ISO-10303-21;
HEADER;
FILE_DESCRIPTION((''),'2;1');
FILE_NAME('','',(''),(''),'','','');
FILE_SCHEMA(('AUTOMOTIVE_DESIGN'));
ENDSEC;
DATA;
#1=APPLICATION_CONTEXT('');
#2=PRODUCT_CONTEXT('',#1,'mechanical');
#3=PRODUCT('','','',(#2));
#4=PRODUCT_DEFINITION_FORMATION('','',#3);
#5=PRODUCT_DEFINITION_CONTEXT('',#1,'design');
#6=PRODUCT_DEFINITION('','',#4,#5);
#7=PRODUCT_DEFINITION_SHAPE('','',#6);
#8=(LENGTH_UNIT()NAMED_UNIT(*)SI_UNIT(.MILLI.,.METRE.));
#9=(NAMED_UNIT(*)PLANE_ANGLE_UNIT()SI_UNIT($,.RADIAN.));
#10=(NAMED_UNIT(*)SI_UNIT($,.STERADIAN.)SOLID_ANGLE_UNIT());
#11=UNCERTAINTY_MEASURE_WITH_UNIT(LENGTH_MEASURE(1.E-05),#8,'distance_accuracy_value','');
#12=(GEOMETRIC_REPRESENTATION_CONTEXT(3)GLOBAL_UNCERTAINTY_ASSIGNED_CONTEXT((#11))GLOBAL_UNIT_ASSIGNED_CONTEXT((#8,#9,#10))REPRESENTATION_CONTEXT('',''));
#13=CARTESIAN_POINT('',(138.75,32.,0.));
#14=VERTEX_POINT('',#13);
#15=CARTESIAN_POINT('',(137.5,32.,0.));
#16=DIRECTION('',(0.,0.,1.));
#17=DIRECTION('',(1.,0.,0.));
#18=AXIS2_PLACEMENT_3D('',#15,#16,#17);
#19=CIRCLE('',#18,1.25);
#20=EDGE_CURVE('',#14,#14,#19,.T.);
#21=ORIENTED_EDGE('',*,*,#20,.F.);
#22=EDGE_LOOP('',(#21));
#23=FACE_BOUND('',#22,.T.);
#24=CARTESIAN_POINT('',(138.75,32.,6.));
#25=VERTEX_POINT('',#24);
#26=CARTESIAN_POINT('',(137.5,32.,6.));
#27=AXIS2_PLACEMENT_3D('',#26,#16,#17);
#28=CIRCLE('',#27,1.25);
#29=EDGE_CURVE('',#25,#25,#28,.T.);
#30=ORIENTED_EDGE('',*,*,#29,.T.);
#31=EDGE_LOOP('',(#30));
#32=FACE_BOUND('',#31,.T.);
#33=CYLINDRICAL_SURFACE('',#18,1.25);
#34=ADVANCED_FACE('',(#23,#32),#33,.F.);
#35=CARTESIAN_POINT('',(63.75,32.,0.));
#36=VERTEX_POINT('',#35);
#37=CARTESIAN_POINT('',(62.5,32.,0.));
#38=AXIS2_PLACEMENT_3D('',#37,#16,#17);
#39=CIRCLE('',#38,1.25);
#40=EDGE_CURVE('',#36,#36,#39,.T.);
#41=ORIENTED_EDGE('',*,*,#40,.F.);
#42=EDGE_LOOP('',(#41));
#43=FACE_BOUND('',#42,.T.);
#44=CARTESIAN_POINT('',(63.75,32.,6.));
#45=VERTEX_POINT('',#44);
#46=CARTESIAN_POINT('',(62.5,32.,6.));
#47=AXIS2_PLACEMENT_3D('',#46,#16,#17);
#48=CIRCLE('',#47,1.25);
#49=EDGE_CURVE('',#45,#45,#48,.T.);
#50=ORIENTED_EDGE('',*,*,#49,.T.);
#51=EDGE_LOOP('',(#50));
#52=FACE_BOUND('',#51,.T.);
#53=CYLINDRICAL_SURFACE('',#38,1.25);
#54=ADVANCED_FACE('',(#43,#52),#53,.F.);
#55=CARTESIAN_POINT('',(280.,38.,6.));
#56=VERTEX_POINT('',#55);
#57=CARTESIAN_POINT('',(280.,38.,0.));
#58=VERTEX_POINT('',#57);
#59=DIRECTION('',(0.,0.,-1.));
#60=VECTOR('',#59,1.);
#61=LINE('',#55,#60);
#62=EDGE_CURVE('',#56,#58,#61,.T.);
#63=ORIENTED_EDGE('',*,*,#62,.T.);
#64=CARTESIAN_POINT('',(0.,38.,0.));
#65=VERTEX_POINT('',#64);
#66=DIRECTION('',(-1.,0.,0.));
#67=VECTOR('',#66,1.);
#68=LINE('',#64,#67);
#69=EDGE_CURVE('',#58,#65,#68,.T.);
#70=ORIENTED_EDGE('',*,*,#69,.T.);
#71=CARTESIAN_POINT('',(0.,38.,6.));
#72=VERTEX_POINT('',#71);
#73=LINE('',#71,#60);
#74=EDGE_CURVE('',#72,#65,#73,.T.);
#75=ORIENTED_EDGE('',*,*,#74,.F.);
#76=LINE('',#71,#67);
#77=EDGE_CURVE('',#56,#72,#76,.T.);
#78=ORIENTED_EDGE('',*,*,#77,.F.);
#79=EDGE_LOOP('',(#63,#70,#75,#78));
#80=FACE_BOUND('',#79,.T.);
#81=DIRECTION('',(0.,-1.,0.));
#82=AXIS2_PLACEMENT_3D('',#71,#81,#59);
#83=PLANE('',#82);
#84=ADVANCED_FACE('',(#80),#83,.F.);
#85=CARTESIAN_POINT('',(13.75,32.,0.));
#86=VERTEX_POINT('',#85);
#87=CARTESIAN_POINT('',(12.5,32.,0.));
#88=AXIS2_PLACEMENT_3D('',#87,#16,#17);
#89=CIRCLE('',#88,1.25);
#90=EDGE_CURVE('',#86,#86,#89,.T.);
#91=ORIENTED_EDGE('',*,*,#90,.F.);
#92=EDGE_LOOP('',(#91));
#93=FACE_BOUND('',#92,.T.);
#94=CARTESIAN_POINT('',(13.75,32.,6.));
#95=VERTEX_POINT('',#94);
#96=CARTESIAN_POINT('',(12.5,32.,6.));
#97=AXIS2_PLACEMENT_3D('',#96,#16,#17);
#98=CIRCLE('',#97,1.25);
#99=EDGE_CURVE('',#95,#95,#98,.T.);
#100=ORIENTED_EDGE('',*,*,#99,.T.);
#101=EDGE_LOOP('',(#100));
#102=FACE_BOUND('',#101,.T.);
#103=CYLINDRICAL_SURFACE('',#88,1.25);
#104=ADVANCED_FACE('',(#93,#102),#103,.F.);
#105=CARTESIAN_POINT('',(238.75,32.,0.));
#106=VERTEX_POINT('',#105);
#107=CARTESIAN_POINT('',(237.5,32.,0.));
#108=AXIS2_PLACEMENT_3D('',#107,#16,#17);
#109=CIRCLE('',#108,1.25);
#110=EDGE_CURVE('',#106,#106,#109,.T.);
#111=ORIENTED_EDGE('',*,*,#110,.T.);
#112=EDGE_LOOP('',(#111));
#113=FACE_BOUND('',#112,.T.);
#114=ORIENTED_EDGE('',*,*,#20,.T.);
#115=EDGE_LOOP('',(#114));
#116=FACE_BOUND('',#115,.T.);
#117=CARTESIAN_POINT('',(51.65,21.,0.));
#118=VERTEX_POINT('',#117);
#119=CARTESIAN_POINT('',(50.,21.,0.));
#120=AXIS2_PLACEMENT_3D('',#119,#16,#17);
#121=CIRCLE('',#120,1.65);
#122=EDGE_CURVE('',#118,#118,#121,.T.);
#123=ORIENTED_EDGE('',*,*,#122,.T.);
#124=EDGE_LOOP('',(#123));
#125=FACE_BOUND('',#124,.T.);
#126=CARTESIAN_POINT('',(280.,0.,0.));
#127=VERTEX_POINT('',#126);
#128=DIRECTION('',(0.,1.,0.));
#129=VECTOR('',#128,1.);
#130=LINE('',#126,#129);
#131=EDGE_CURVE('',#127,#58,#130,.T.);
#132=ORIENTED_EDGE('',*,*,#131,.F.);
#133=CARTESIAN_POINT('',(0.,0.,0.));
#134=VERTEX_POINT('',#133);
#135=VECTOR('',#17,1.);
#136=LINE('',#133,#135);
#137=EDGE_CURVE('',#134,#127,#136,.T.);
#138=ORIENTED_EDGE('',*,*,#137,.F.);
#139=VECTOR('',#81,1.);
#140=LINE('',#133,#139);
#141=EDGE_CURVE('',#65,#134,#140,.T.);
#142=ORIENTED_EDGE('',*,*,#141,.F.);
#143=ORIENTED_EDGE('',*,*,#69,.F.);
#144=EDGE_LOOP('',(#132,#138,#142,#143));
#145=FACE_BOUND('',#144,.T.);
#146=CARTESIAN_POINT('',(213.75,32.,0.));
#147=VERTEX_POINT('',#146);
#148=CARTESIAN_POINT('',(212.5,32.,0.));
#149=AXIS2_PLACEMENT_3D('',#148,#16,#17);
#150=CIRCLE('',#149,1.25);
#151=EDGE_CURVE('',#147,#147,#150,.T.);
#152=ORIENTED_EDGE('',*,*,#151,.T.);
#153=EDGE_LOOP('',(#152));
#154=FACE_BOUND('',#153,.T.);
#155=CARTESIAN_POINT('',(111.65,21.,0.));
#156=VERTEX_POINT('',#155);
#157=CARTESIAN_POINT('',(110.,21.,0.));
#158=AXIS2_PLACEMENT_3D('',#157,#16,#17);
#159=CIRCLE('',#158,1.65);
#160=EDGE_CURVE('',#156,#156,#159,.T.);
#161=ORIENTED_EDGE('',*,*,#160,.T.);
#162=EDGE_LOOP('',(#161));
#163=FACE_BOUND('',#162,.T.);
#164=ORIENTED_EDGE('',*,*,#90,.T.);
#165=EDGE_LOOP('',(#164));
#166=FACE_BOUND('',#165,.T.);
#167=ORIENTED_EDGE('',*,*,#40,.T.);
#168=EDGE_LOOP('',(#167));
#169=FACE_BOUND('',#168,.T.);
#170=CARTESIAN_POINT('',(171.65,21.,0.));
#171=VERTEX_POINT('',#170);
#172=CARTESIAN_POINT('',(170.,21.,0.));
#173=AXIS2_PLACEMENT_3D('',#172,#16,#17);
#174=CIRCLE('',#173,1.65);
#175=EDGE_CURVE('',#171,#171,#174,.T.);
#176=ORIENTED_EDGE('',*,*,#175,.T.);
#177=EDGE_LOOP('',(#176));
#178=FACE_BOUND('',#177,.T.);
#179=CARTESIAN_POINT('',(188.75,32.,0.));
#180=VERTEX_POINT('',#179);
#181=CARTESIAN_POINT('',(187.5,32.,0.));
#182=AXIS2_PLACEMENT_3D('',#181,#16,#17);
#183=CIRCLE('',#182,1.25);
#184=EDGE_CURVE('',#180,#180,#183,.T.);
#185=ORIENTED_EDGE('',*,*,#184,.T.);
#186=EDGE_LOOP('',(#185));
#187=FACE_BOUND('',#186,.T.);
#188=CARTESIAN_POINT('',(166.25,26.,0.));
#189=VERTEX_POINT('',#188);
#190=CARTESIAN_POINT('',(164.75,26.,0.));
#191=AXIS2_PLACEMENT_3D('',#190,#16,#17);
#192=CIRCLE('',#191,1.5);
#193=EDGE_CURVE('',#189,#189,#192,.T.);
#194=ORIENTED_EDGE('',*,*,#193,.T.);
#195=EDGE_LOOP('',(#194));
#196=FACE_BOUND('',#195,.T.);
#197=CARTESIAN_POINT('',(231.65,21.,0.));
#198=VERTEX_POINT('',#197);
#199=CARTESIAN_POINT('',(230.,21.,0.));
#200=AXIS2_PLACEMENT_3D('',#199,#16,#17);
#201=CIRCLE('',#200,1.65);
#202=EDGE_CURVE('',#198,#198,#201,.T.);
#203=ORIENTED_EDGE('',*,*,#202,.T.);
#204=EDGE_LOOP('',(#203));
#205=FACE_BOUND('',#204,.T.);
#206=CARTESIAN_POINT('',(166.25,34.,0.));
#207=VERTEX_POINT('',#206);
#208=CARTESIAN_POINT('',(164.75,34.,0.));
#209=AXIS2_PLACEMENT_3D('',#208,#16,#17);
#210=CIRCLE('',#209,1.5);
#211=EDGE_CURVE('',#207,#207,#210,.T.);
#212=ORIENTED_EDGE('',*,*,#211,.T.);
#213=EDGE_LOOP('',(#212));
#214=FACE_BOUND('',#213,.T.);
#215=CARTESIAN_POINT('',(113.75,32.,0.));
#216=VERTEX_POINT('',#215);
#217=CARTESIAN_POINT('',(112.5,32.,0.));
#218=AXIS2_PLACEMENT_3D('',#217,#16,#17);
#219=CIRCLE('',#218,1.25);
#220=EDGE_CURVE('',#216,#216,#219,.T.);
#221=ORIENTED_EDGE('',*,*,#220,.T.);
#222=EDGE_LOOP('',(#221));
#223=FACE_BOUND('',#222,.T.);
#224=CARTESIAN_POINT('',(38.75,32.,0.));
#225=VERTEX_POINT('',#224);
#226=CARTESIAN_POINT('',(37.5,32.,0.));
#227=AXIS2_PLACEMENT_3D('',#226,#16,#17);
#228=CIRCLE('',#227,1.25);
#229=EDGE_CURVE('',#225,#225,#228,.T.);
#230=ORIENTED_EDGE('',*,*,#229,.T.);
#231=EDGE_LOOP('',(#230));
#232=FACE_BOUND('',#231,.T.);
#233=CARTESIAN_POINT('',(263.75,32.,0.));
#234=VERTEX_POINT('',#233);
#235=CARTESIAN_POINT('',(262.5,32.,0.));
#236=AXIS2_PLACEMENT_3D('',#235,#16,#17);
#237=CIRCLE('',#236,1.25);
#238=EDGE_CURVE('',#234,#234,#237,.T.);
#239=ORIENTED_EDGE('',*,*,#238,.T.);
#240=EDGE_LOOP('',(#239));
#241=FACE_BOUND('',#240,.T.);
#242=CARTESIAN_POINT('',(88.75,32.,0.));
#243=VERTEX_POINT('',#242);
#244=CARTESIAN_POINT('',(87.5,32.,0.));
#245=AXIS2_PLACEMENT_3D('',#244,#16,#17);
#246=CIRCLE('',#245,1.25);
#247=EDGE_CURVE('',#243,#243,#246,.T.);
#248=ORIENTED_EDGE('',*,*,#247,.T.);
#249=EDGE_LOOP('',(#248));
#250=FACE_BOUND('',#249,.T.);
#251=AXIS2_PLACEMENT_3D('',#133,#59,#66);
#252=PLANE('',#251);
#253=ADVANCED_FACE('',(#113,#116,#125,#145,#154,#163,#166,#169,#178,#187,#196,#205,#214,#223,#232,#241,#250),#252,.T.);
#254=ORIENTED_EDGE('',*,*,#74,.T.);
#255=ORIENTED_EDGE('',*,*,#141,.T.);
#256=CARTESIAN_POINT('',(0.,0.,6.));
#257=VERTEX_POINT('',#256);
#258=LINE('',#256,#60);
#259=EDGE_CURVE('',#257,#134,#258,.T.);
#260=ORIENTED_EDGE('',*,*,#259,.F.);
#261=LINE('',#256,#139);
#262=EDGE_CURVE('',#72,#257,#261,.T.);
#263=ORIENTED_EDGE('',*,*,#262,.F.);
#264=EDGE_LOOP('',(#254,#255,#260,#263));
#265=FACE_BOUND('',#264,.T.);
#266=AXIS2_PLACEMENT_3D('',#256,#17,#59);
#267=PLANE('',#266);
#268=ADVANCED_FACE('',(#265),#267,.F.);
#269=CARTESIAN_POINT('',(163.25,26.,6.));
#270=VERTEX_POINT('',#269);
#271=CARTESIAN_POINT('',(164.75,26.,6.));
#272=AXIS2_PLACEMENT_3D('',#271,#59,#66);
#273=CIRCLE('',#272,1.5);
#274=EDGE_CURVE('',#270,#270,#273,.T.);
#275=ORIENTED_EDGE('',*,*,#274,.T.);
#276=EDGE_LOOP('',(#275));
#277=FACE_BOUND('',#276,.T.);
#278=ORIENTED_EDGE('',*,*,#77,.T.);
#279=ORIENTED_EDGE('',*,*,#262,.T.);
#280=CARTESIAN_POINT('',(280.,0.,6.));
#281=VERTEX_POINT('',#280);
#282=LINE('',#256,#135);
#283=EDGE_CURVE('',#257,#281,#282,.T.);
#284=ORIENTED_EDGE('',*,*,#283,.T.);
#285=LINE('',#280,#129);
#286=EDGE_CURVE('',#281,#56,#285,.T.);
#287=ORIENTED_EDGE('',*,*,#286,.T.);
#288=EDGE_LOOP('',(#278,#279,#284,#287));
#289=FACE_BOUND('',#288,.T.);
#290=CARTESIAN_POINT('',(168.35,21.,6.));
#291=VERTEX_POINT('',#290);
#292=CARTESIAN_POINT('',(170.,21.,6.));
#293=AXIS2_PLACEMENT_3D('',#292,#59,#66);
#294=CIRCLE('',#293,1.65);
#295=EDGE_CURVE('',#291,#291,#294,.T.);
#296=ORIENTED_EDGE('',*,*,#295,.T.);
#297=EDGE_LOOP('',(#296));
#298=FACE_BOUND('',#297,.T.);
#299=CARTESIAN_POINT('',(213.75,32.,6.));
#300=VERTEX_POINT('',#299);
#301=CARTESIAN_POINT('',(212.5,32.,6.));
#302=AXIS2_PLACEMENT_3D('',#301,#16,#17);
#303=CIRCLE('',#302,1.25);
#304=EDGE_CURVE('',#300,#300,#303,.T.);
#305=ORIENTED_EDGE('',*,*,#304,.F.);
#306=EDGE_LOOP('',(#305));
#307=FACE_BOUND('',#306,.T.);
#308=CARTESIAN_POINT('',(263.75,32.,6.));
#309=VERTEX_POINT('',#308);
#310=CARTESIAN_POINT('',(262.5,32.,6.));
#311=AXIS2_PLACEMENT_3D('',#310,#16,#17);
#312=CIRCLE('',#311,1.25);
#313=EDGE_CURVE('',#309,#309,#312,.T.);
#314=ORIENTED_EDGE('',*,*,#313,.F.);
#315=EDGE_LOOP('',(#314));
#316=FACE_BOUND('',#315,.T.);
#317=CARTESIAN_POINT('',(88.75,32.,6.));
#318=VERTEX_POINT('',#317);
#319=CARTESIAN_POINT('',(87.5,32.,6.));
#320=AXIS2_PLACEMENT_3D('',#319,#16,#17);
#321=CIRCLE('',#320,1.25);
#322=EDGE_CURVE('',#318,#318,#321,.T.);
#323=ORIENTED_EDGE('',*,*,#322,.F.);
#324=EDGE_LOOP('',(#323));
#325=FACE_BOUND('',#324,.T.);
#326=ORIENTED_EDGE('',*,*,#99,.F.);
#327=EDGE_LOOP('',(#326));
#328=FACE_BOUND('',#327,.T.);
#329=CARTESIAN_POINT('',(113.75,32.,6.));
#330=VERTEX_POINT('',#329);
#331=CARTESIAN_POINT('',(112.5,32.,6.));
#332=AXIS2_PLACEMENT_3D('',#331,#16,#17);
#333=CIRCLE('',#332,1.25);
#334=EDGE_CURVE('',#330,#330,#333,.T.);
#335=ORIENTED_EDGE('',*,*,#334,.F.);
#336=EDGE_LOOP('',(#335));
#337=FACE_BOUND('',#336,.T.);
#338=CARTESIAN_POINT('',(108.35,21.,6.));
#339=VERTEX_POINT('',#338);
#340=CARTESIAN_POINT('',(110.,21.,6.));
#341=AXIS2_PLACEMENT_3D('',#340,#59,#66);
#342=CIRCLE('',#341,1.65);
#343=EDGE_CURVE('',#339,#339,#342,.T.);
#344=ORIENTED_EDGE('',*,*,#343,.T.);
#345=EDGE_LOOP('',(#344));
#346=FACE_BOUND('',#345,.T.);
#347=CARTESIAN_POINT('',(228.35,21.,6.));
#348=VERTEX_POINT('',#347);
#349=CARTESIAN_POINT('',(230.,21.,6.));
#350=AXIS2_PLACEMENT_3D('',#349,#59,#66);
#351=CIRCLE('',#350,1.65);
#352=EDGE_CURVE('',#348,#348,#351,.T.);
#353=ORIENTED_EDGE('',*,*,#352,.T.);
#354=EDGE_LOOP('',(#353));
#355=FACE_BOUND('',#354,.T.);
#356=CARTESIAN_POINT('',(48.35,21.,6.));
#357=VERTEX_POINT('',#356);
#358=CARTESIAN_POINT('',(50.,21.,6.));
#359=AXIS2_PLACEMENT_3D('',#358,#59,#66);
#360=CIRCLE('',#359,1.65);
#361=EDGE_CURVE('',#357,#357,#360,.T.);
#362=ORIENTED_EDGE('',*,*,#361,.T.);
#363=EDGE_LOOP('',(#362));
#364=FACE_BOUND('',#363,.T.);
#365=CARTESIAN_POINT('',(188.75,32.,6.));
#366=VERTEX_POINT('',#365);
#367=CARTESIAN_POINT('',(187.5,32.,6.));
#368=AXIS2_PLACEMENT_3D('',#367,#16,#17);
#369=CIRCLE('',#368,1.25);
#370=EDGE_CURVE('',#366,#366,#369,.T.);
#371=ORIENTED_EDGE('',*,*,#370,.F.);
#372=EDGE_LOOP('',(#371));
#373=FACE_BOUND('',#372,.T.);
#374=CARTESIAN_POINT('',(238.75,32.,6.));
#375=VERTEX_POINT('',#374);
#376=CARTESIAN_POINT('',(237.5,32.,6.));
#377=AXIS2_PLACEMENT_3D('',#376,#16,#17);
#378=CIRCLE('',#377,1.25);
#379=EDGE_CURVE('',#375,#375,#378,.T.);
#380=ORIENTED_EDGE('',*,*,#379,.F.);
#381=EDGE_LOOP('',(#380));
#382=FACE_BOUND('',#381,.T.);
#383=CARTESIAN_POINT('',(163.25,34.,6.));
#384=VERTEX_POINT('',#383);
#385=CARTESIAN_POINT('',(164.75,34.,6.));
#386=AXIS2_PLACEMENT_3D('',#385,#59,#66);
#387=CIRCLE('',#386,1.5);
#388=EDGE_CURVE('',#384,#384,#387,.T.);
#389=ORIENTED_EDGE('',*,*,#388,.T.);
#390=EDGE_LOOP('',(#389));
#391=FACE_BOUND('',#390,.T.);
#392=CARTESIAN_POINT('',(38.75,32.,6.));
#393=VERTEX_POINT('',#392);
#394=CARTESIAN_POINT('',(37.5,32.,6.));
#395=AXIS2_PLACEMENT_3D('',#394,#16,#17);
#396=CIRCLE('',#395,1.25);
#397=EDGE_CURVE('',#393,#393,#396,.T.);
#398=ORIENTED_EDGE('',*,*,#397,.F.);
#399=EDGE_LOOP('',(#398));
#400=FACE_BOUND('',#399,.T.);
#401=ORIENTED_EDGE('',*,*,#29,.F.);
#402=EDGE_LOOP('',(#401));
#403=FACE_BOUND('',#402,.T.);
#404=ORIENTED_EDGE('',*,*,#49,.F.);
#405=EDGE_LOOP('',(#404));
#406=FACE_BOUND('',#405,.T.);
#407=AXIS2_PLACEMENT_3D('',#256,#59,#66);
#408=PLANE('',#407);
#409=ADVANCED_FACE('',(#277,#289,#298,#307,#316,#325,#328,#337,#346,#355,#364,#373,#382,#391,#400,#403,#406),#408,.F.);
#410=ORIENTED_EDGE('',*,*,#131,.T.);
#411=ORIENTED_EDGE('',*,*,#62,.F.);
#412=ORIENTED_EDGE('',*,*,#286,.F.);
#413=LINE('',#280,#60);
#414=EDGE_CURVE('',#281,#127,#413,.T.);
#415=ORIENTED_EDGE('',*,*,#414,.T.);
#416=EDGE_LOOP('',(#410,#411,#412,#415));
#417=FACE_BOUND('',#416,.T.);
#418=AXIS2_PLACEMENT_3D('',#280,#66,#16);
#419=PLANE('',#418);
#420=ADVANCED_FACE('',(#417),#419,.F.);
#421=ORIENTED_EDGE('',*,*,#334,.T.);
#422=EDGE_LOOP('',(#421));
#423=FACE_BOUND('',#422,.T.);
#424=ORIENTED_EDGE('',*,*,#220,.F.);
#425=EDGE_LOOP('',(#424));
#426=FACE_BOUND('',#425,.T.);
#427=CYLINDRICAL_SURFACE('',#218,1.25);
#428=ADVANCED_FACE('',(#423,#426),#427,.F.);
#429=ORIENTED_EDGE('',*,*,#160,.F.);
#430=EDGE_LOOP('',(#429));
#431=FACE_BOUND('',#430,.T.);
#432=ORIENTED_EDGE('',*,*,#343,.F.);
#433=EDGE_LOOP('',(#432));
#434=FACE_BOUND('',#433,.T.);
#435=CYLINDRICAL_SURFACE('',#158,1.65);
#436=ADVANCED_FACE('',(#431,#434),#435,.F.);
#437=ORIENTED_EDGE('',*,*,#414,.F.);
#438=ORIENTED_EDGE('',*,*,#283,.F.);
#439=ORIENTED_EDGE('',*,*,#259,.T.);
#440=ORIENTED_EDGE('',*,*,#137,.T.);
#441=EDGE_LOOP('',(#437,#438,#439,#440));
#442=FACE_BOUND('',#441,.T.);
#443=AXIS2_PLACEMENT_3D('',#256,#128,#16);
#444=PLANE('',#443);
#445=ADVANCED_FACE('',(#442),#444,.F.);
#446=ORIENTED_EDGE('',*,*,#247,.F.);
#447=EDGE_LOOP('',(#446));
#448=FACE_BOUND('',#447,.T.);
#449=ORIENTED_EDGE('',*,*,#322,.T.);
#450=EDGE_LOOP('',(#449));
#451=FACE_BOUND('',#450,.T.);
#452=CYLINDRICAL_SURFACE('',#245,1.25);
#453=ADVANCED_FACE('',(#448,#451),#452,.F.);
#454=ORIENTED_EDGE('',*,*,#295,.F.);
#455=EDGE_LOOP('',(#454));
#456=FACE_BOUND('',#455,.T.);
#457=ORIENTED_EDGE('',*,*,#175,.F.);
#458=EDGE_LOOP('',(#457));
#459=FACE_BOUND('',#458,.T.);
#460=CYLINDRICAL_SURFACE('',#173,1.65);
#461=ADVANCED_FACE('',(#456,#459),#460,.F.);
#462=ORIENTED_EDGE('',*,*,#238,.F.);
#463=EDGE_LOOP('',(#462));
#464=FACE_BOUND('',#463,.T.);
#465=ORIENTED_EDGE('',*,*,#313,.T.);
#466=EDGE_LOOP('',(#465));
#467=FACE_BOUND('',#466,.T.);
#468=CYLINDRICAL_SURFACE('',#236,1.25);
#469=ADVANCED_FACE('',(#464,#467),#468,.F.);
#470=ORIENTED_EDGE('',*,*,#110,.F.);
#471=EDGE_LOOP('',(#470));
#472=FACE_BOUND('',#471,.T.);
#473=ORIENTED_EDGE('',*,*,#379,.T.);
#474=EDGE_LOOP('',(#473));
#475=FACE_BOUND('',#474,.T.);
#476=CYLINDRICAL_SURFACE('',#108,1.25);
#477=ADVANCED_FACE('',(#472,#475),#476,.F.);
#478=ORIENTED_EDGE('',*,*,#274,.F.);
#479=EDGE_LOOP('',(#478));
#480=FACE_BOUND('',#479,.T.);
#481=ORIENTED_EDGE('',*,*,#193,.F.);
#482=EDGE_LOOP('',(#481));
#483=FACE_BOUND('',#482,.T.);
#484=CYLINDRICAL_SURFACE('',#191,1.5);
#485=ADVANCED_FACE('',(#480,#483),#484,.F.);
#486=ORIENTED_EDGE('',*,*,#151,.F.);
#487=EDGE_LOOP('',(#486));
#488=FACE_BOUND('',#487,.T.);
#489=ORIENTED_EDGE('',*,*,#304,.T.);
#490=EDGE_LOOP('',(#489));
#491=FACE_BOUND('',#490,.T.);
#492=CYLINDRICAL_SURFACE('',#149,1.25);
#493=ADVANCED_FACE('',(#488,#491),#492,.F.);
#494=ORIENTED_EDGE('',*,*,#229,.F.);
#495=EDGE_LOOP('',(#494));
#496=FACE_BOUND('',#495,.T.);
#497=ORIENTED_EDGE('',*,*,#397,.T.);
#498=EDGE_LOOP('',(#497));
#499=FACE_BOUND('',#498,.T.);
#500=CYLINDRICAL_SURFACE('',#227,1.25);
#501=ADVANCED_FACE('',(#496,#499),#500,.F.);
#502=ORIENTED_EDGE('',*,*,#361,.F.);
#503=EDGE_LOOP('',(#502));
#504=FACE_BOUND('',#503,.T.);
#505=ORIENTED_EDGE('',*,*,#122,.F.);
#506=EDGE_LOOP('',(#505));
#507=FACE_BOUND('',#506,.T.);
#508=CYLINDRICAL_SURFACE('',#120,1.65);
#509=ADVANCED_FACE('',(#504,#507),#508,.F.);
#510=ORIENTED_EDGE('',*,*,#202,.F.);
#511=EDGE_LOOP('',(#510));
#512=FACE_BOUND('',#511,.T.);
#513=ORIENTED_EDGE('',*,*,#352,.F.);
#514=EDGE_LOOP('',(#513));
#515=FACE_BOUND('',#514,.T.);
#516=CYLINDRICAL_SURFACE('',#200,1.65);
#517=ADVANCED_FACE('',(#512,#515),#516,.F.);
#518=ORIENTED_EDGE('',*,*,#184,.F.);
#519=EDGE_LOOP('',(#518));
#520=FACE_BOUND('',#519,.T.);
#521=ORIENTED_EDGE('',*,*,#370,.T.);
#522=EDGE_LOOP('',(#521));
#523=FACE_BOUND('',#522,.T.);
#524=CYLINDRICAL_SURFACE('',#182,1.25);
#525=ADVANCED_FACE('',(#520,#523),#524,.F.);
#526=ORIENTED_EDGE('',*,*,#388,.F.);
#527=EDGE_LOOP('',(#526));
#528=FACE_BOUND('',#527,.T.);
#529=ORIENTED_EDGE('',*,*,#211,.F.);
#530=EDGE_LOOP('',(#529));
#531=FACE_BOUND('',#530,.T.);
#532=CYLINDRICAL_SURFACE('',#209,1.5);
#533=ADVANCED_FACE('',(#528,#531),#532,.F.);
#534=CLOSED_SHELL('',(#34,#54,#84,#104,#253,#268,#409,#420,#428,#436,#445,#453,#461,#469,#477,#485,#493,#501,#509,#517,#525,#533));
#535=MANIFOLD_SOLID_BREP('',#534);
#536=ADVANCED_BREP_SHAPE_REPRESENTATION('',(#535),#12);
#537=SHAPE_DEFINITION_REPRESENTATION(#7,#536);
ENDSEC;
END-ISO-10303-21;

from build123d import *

# Parameters (mm, degrees)
ESQUISSE1_W                  = 280
ESQUISSE1_H                  = 38
BOSS_EXTRU_1_DEPTH           = 6
ESQUISSE2_R                  = 1.25
ENL_V_MAT_EXTRU_1_DEPTH      = 6
ESQUISSE5_R                  = 1.25
BOSS_EXTRU_2_DEPTH           = 6
ENL_V_MAT_EXTRU_2_DEPTH      = 283.630500831
ENL_V_MAT_EXTRU_2_DEPTH_BACK = 283.630500831
ESQUISSE3_R                  = 1.65
ENL_V_MAT_EXTRU_3_DEPTH      = 283.630500831
ENL_V_MAT_EXTRU_3_DEPTH_BACK = 283.630500831
ESQUISSE4_R                  = 1.5


with BuildPart() as part:
    # Esquisse1 → Boss.-Extru.1 (new body)
    with BuildSketch(Plane.XY):
        with Locations((140, 19)):
            Rectangle(ESQUISSE1_W, ESQUISSE1_H)
    extrude(amount=BOSS_EXTRU_1_DEPTH)

    # Esquisse2 → Enlèv. mat.-Extru.1 (cut)
    with BuildSketch(Plane.XY.offset(6)):
        with Locations((12.5, 32)):
            Circle(ESQUISSE2_R)
        with Locations((37.5, 32)):
            Circle(ESQUISSE2_R)
        with Locations((62.5, 32)):
            Circle(ESQUISSE2_R)
        with Locations((87.5, 32)):
            Circle(ESQUISSE2_R)
        with Locations((112.5, 32)):
            Circle(ESQUISSE2_R)
        with Locations((137.5, 32)):
            Circle(ESQUISSE2_R)
        with Locations((162.5, 32)):
            Circle(ESQUISSE2_R)
        with Locations((187.5, 32)):
            Circle(ESQUISSE2_R)
        with Locations((212.5, 32)):
            Circle(ESQUISSE2_R)
        with Locations((237.5, 32)):
            Circle(ESQUISSE2_R)
        with Locations((262.5, 32)):
            Circle(ESQUISSE2_R)
    extrude(amount=-ENL_V_MAT_EXTRU_1_DEPTH, mode=Mode.SUBTRACT)

    # Esquisse5 → Boss.-Extru.2 (add)
    with BuildSketch(Plane.XY.offset(6)):
        with Locations((162.5, 32)):
            Circle(ESQUISSE5_R)
    extrude(amount=-BOSS_EXTRU_2_DEPTH)

    # Esquisse3 → Enlèv. mat.-Extru.2 (cut, two sides: drawn at the far end of the back side and taken through both)
    with BuildSketch(Plane.XY.offset(6).offset(-ENL_V_MAT_EXTRU_2_DEPTH_BACK)):
        with Locations((50, 21)):
            Circle(ESQUISSE3_R)
        with Locations((110, 21)):
            Circle(ESQUISSE3_R)
        with Locations((170, 21)):
            Circle(ESQUISSE3_R)
        with Locations((230, 21)):
            Circle(ESQUISSE3_R)
    extrude(amount=ENL_V_MAT_EXTRU_2_DEPTH + ENL_V_MAT_EXTRU_2_DEPTH_BACK, mode=Mode.SUBTRACT)

    # Esquisse4 → Enlèv. mat.-Extru.3 (cut, two sides: drawn at the far end of the back side and taken through both)
    with BuildSketch(Plane.XY.offset(6).offset(-ENL_V_MAT_EXTRU_3_DEPTH_BACK)):
        with Locations((164.75, 34)):
            Circle(ESQUISSE4_R)
        with Locations((164.75, 26)):
            Circle(ESQUISSE4_R)
    extrude(amount=ENL_V_MAT_EXTRU_3_DEPTH + ENL_V_MAT_EXTRU_3_DEPTH_BACK, mode=Mode.SUBTRACT)


solid = part.part
